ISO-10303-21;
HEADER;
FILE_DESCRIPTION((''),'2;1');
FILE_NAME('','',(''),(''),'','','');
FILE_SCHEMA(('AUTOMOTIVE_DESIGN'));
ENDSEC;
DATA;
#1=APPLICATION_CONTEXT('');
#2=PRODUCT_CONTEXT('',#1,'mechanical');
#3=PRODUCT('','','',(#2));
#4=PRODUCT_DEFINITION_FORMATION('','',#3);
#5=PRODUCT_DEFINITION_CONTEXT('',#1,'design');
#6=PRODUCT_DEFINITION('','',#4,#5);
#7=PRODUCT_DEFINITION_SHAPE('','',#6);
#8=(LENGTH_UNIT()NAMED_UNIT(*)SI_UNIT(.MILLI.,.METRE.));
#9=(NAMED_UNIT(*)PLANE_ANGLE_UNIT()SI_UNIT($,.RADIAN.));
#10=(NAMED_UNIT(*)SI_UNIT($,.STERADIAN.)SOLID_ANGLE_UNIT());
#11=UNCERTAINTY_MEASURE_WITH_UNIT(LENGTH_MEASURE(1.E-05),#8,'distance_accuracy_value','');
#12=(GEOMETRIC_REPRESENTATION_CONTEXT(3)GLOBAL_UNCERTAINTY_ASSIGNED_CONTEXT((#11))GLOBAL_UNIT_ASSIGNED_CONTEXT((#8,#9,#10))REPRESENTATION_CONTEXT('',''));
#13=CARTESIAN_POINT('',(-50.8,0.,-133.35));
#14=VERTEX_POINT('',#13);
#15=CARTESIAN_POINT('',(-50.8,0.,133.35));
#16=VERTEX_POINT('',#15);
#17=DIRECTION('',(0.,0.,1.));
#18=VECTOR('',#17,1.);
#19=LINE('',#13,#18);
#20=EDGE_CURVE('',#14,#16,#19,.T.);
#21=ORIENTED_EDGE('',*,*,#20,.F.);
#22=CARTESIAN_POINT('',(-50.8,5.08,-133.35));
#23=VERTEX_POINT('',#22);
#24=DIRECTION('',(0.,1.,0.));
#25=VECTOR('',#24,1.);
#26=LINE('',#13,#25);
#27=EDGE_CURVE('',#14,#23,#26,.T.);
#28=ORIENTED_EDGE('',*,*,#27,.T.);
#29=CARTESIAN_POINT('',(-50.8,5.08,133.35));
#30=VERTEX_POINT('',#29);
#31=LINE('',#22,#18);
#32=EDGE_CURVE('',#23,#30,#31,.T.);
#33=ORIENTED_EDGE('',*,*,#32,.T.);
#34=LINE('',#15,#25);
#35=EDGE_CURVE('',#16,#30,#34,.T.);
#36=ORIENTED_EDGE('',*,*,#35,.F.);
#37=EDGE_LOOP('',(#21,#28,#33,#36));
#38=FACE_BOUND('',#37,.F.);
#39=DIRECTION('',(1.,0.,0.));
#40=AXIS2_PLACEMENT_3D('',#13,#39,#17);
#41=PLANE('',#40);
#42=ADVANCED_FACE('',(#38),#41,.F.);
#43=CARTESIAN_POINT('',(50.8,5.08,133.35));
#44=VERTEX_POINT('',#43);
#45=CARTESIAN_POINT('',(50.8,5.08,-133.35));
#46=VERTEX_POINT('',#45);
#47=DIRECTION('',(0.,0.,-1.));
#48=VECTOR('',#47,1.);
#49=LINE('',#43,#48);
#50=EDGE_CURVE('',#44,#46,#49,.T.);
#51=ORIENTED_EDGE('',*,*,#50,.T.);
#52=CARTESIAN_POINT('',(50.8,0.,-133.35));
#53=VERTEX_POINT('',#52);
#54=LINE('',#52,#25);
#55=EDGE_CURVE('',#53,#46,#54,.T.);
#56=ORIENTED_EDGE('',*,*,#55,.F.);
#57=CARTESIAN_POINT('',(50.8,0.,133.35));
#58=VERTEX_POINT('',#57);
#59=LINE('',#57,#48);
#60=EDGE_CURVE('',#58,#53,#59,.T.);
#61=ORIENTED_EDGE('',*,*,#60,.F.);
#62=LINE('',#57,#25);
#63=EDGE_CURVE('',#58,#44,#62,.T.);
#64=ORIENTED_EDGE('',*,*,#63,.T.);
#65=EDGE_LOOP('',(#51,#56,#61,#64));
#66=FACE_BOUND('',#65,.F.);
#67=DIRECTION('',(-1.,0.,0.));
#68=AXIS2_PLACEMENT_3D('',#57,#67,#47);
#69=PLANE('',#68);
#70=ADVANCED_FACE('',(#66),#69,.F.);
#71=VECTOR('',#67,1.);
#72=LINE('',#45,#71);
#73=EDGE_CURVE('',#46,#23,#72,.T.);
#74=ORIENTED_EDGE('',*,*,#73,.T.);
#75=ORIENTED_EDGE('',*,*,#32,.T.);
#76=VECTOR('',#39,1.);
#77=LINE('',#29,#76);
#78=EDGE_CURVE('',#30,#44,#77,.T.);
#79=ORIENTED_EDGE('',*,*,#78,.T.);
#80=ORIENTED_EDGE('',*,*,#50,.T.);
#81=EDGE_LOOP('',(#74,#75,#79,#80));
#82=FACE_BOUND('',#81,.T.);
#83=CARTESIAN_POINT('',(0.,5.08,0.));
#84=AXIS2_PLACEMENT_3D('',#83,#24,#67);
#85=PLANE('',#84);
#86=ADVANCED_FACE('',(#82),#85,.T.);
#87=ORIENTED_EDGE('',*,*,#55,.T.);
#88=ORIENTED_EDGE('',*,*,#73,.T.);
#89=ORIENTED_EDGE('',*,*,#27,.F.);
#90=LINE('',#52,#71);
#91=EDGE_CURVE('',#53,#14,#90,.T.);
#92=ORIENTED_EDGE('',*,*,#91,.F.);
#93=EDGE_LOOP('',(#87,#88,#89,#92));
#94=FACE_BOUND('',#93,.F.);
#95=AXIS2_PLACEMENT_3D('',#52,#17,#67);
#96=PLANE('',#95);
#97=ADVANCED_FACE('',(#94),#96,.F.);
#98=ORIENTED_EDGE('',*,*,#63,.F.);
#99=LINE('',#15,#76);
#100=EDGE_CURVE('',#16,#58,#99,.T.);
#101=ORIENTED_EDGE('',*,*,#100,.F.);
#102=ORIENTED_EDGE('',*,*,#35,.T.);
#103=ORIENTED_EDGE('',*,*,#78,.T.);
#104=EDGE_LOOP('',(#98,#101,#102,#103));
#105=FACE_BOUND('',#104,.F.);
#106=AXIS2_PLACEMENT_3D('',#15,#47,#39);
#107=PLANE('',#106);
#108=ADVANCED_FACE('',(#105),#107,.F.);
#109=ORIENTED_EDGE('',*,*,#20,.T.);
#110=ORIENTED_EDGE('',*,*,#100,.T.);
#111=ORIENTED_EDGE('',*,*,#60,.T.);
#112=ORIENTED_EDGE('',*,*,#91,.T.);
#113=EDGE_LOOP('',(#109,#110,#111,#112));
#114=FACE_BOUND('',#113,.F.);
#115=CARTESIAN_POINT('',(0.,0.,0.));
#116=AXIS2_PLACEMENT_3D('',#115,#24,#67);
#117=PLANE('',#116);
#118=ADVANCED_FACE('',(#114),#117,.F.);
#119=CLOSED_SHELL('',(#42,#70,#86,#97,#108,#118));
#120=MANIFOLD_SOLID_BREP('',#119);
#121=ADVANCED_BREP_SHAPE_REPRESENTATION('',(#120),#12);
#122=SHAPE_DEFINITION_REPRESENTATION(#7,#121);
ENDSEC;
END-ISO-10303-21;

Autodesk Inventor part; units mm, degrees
ref_plane "YZ Plane" through (0, 0, 0) normal (1, 0, 0) x (0, 1, 0)
ref_plane "XZ Plane" through (0, 0, 0) normal (0, 1, 0) x (-1, 0, 0)
ref_plane "XY Plane" through (0, 0, 0) normal (0, 0, 1) x (1, 0, 0)
sketch "Sketch1" plane through (0, 0, 0) normal (0, 1, 0) x (-1, 0, 0)
  line L0 (50.8, 133.35) -> (-50.8, 133.35)
  line L1 (-50.8, 133.35) -> (-50.8, -133.35)
  line L2 (-50.8, -133.35) -> (50.8, -133.35)
  line L3 (50.8, -133.35) -> (50.8, 133.35)
  line L4 (50.8, 133.35) -> (-50.8, -133.35) construction
  line L5 (-50.8, 133.35) -> (50.8, -133.35) construction
  point P0 (0, 0)
  dimension "d0" = 101.6
  dimension "d1" = 266.7
extrude "Extrusion1" add sketch "Sketch1" along normal blind 5.08
properties part number "Top"
